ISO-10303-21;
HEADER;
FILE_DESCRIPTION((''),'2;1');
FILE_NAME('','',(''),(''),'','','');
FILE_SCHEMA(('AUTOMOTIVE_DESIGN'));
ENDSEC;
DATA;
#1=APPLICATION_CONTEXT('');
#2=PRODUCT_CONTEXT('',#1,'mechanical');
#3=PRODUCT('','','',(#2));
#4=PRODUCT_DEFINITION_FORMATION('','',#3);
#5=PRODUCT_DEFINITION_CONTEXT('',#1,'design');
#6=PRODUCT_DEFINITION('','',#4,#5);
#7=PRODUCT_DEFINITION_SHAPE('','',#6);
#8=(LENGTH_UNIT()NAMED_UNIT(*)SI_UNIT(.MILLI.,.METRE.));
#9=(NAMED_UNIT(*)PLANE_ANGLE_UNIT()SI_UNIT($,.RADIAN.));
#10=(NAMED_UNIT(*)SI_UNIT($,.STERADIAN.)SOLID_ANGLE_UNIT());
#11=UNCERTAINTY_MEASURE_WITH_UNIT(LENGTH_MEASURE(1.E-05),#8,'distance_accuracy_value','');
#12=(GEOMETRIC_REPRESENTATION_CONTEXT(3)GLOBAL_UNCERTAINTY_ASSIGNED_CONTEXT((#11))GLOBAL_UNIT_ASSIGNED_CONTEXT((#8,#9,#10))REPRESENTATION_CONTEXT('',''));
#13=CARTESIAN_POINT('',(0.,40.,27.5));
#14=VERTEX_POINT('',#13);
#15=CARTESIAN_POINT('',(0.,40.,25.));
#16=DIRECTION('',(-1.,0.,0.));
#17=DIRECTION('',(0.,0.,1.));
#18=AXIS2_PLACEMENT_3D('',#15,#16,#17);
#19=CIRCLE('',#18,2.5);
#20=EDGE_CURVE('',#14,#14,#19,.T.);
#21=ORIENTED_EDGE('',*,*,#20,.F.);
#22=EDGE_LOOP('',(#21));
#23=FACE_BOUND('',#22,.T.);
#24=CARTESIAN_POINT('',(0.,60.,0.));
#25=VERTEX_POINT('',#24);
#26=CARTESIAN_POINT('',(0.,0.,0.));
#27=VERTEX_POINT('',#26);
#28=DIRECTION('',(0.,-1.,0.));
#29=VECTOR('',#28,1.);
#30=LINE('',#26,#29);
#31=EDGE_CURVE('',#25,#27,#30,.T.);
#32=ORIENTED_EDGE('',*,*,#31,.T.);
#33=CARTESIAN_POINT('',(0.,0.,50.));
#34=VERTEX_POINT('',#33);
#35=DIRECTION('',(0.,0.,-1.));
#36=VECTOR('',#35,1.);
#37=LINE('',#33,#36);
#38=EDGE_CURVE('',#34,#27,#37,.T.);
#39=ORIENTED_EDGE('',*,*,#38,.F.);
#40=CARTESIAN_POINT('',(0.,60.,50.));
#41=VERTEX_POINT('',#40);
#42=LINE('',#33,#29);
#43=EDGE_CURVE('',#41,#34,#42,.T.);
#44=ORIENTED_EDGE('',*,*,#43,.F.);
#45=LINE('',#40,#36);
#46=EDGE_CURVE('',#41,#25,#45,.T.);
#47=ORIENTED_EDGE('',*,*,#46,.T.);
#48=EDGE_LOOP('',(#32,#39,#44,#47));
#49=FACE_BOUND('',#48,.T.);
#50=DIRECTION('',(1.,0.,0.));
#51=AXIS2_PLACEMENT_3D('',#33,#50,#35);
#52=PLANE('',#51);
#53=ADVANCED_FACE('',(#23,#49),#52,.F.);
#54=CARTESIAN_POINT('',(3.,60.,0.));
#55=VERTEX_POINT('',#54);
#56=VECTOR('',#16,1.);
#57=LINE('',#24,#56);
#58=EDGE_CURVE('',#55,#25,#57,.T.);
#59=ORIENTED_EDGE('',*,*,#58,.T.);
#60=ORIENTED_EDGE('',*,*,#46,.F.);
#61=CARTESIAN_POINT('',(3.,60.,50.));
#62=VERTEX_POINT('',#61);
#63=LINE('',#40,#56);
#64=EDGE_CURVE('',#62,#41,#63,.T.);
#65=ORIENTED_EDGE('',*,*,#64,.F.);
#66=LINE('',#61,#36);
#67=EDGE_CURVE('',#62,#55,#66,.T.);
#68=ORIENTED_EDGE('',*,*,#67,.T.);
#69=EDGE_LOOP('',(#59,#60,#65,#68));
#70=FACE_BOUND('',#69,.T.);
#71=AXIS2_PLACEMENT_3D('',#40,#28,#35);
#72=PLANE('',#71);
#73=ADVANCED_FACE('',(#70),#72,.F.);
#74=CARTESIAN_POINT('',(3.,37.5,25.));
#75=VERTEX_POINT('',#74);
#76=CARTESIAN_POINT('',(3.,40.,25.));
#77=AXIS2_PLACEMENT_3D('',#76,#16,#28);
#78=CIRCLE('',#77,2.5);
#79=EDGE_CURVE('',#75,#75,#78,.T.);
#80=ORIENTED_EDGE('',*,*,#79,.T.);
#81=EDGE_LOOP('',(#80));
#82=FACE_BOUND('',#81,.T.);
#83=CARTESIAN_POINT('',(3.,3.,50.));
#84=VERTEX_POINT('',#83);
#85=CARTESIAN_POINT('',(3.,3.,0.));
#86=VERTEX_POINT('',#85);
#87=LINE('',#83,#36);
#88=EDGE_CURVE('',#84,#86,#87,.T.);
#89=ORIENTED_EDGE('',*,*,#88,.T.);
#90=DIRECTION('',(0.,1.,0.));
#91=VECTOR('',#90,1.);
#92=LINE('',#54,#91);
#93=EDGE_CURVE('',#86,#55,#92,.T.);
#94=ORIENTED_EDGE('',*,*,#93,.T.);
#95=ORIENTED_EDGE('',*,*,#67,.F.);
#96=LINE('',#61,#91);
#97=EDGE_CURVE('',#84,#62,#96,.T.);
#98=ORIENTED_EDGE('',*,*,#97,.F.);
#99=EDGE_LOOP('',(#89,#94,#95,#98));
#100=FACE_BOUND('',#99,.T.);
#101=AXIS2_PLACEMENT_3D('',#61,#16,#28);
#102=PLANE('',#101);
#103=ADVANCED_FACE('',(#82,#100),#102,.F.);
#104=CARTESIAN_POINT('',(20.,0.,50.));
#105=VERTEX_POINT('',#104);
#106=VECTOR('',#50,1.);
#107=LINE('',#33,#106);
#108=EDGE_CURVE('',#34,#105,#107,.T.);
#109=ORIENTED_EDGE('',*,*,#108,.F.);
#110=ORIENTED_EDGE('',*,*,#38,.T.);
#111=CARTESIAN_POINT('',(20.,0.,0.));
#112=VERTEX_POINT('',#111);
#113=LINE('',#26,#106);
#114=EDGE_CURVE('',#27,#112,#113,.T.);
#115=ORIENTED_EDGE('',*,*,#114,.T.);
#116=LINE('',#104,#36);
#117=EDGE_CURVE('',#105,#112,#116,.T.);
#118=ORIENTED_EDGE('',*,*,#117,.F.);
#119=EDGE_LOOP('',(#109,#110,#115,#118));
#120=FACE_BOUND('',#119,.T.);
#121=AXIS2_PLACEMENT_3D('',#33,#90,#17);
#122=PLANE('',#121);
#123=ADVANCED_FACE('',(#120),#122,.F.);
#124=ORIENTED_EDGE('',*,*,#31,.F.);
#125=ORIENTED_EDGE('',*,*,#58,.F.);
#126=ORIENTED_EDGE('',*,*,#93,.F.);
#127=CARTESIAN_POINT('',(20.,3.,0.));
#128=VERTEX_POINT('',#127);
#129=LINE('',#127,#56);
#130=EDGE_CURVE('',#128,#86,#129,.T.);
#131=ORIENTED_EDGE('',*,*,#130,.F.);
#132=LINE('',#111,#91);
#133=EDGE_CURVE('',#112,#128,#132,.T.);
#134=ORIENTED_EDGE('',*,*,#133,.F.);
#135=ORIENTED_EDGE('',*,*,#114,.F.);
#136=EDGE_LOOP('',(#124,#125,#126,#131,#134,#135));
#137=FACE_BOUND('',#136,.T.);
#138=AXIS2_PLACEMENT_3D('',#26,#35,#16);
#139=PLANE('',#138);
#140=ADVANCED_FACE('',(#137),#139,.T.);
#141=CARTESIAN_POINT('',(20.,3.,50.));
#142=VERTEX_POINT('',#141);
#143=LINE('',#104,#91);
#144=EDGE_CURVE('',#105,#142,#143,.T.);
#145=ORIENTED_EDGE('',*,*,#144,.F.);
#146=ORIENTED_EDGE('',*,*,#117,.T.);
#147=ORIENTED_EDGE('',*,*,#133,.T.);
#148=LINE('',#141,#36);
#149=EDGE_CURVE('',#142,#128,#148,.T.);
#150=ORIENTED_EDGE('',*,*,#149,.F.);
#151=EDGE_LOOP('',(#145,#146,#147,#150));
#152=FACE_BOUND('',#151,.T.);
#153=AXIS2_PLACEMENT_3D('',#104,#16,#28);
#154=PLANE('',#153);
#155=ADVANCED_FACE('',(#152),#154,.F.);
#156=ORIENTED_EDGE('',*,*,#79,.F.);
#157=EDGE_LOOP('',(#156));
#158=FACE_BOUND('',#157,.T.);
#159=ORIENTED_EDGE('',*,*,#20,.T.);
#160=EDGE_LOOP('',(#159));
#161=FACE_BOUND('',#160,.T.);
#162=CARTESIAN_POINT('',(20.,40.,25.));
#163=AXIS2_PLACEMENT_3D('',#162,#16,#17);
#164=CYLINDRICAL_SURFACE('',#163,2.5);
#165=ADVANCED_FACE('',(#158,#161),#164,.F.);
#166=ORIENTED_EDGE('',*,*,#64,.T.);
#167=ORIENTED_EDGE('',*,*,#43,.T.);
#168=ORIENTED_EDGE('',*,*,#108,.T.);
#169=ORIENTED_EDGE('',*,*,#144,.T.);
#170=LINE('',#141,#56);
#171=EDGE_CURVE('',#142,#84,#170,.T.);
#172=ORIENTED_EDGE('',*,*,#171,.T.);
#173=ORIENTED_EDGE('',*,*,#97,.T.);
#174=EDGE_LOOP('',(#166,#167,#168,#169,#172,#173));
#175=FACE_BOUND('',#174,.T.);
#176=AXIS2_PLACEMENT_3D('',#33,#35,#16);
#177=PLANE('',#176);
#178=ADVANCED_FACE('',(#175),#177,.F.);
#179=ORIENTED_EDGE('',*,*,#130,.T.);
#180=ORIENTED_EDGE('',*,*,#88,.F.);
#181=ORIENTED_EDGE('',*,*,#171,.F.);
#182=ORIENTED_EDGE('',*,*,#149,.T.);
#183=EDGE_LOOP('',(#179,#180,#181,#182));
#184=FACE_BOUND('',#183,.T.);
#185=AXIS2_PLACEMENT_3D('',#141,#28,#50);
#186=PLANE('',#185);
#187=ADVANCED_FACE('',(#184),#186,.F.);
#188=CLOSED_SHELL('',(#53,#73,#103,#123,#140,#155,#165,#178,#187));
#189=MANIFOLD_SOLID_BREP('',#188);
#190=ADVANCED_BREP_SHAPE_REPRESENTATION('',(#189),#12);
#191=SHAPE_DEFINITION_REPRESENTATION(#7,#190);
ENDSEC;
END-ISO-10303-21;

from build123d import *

# Parameters (mm, degrees)
BOSS_EXTRUDE1_DEPTH = 50
SKETCH2_R           = 2.5
CUT_EXTRUDE1_DEPTH  = 21


with BuildPart() as part:
    # Sketch1 → Boss-Extrude1 (new body)
    with BuildSketch(Plane.XY):
        Polygon((0, 0), (20, 0), (20, 3), (3, 3), (3, 60), (0, 60), align=None)
    extrude(amount=BOSS_EXTRUDE1_DEPTH)

    # Sketch2 → Cut-Extrude1 (cut, through all)
    with BuildSketch(Plane.ZY):
        with Locations((25, 40)):
            Circle(SKETCH2_R)
    extrude(amount=-CUT_EXTRUDE1_DEPTH, mode=Mode.SUBTRACT)


solid = part.part
